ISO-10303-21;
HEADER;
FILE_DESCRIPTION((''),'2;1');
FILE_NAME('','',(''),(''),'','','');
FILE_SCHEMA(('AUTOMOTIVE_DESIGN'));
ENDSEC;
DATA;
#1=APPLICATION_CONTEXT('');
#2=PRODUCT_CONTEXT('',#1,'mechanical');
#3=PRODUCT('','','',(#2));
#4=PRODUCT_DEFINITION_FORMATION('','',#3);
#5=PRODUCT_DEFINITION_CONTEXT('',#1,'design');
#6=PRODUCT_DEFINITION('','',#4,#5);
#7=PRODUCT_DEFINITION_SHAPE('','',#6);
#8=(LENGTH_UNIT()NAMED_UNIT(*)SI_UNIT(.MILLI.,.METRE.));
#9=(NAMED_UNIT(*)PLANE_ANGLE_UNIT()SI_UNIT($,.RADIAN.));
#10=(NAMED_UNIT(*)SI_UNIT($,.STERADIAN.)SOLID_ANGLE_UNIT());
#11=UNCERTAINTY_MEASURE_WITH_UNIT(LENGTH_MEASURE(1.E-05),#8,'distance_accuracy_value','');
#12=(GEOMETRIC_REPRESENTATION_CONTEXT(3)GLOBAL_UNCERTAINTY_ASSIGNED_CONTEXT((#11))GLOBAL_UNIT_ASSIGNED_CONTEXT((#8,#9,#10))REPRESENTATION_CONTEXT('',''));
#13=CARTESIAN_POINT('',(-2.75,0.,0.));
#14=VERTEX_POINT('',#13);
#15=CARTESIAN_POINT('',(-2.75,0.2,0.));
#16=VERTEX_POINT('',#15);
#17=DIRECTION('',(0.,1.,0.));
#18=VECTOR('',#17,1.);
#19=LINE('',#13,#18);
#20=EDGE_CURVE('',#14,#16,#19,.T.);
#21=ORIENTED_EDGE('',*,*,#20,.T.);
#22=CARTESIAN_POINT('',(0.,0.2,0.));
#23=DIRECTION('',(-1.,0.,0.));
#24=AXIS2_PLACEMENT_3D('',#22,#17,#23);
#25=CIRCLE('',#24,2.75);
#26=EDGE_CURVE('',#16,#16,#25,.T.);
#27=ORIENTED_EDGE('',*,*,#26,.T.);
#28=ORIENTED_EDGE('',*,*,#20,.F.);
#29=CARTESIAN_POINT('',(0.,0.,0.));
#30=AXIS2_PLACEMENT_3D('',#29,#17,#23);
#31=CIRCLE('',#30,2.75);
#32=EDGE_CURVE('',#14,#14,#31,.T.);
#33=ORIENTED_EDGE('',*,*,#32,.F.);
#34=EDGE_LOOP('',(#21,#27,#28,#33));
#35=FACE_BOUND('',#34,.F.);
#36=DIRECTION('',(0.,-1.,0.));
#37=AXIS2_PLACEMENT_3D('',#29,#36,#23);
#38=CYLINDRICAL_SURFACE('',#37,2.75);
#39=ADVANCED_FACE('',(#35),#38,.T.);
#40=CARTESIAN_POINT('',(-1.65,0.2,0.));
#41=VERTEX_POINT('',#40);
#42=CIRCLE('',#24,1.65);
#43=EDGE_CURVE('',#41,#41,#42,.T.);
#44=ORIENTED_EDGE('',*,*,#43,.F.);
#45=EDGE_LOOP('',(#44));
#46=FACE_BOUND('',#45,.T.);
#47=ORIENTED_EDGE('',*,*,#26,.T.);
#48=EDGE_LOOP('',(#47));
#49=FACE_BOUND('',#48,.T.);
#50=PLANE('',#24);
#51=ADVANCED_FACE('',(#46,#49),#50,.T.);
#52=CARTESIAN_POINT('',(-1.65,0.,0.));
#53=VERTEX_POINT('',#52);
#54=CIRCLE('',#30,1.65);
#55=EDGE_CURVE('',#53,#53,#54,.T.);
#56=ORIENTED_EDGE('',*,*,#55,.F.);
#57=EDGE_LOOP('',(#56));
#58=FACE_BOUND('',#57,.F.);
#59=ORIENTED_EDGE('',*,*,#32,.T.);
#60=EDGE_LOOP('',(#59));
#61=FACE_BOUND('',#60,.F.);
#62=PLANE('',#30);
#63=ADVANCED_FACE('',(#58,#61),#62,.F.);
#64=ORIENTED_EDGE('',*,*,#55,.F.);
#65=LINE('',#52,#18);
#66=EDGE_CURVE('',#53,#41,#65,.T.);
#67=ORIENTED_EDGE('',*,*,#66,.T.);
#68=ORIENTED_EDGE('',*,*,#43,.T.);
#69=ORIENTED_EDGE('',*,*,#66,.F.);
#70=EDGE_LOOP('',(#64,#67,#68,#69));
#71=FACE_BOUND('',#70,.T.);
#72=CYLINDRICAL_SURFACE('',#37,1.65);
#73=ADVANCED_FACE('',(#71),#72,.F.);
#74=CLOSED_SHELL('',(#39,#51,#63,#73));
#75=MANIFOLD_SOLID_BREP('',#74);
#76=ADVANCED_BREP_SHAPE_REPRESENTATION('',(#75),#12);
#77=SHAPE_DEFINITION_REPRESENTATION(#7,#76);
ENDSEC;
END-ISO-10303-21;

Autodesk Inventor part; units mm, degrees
ref_plane "YZ Plane" through (0, 0, 0) normal (1, 0, 0) x (0, 1, 0)
ref_plane "XZ Plane" through (0, 0, 0) normal (0, 1, 0) x (-1, 0, 0)
ref_plane "XY Plane" through (0, 0, 0) normal (0, 0, 1) x (1, 0, 0)
sketch "Boceto1" plane through (0, 0, 0) normal (0, 1, 0) x (-1, 0, 0)
  circle A0 centre (0, 0) radius 1.65
  circle A1 centre (0, 0) radius 2.75
  dimension "d0" = 3.3
  dimension "d1" = 5.5
extrude "Extrusión1" add sketch "Boceto1" along normal blind 0.2
properties part number "Relé - arandela cargols"
